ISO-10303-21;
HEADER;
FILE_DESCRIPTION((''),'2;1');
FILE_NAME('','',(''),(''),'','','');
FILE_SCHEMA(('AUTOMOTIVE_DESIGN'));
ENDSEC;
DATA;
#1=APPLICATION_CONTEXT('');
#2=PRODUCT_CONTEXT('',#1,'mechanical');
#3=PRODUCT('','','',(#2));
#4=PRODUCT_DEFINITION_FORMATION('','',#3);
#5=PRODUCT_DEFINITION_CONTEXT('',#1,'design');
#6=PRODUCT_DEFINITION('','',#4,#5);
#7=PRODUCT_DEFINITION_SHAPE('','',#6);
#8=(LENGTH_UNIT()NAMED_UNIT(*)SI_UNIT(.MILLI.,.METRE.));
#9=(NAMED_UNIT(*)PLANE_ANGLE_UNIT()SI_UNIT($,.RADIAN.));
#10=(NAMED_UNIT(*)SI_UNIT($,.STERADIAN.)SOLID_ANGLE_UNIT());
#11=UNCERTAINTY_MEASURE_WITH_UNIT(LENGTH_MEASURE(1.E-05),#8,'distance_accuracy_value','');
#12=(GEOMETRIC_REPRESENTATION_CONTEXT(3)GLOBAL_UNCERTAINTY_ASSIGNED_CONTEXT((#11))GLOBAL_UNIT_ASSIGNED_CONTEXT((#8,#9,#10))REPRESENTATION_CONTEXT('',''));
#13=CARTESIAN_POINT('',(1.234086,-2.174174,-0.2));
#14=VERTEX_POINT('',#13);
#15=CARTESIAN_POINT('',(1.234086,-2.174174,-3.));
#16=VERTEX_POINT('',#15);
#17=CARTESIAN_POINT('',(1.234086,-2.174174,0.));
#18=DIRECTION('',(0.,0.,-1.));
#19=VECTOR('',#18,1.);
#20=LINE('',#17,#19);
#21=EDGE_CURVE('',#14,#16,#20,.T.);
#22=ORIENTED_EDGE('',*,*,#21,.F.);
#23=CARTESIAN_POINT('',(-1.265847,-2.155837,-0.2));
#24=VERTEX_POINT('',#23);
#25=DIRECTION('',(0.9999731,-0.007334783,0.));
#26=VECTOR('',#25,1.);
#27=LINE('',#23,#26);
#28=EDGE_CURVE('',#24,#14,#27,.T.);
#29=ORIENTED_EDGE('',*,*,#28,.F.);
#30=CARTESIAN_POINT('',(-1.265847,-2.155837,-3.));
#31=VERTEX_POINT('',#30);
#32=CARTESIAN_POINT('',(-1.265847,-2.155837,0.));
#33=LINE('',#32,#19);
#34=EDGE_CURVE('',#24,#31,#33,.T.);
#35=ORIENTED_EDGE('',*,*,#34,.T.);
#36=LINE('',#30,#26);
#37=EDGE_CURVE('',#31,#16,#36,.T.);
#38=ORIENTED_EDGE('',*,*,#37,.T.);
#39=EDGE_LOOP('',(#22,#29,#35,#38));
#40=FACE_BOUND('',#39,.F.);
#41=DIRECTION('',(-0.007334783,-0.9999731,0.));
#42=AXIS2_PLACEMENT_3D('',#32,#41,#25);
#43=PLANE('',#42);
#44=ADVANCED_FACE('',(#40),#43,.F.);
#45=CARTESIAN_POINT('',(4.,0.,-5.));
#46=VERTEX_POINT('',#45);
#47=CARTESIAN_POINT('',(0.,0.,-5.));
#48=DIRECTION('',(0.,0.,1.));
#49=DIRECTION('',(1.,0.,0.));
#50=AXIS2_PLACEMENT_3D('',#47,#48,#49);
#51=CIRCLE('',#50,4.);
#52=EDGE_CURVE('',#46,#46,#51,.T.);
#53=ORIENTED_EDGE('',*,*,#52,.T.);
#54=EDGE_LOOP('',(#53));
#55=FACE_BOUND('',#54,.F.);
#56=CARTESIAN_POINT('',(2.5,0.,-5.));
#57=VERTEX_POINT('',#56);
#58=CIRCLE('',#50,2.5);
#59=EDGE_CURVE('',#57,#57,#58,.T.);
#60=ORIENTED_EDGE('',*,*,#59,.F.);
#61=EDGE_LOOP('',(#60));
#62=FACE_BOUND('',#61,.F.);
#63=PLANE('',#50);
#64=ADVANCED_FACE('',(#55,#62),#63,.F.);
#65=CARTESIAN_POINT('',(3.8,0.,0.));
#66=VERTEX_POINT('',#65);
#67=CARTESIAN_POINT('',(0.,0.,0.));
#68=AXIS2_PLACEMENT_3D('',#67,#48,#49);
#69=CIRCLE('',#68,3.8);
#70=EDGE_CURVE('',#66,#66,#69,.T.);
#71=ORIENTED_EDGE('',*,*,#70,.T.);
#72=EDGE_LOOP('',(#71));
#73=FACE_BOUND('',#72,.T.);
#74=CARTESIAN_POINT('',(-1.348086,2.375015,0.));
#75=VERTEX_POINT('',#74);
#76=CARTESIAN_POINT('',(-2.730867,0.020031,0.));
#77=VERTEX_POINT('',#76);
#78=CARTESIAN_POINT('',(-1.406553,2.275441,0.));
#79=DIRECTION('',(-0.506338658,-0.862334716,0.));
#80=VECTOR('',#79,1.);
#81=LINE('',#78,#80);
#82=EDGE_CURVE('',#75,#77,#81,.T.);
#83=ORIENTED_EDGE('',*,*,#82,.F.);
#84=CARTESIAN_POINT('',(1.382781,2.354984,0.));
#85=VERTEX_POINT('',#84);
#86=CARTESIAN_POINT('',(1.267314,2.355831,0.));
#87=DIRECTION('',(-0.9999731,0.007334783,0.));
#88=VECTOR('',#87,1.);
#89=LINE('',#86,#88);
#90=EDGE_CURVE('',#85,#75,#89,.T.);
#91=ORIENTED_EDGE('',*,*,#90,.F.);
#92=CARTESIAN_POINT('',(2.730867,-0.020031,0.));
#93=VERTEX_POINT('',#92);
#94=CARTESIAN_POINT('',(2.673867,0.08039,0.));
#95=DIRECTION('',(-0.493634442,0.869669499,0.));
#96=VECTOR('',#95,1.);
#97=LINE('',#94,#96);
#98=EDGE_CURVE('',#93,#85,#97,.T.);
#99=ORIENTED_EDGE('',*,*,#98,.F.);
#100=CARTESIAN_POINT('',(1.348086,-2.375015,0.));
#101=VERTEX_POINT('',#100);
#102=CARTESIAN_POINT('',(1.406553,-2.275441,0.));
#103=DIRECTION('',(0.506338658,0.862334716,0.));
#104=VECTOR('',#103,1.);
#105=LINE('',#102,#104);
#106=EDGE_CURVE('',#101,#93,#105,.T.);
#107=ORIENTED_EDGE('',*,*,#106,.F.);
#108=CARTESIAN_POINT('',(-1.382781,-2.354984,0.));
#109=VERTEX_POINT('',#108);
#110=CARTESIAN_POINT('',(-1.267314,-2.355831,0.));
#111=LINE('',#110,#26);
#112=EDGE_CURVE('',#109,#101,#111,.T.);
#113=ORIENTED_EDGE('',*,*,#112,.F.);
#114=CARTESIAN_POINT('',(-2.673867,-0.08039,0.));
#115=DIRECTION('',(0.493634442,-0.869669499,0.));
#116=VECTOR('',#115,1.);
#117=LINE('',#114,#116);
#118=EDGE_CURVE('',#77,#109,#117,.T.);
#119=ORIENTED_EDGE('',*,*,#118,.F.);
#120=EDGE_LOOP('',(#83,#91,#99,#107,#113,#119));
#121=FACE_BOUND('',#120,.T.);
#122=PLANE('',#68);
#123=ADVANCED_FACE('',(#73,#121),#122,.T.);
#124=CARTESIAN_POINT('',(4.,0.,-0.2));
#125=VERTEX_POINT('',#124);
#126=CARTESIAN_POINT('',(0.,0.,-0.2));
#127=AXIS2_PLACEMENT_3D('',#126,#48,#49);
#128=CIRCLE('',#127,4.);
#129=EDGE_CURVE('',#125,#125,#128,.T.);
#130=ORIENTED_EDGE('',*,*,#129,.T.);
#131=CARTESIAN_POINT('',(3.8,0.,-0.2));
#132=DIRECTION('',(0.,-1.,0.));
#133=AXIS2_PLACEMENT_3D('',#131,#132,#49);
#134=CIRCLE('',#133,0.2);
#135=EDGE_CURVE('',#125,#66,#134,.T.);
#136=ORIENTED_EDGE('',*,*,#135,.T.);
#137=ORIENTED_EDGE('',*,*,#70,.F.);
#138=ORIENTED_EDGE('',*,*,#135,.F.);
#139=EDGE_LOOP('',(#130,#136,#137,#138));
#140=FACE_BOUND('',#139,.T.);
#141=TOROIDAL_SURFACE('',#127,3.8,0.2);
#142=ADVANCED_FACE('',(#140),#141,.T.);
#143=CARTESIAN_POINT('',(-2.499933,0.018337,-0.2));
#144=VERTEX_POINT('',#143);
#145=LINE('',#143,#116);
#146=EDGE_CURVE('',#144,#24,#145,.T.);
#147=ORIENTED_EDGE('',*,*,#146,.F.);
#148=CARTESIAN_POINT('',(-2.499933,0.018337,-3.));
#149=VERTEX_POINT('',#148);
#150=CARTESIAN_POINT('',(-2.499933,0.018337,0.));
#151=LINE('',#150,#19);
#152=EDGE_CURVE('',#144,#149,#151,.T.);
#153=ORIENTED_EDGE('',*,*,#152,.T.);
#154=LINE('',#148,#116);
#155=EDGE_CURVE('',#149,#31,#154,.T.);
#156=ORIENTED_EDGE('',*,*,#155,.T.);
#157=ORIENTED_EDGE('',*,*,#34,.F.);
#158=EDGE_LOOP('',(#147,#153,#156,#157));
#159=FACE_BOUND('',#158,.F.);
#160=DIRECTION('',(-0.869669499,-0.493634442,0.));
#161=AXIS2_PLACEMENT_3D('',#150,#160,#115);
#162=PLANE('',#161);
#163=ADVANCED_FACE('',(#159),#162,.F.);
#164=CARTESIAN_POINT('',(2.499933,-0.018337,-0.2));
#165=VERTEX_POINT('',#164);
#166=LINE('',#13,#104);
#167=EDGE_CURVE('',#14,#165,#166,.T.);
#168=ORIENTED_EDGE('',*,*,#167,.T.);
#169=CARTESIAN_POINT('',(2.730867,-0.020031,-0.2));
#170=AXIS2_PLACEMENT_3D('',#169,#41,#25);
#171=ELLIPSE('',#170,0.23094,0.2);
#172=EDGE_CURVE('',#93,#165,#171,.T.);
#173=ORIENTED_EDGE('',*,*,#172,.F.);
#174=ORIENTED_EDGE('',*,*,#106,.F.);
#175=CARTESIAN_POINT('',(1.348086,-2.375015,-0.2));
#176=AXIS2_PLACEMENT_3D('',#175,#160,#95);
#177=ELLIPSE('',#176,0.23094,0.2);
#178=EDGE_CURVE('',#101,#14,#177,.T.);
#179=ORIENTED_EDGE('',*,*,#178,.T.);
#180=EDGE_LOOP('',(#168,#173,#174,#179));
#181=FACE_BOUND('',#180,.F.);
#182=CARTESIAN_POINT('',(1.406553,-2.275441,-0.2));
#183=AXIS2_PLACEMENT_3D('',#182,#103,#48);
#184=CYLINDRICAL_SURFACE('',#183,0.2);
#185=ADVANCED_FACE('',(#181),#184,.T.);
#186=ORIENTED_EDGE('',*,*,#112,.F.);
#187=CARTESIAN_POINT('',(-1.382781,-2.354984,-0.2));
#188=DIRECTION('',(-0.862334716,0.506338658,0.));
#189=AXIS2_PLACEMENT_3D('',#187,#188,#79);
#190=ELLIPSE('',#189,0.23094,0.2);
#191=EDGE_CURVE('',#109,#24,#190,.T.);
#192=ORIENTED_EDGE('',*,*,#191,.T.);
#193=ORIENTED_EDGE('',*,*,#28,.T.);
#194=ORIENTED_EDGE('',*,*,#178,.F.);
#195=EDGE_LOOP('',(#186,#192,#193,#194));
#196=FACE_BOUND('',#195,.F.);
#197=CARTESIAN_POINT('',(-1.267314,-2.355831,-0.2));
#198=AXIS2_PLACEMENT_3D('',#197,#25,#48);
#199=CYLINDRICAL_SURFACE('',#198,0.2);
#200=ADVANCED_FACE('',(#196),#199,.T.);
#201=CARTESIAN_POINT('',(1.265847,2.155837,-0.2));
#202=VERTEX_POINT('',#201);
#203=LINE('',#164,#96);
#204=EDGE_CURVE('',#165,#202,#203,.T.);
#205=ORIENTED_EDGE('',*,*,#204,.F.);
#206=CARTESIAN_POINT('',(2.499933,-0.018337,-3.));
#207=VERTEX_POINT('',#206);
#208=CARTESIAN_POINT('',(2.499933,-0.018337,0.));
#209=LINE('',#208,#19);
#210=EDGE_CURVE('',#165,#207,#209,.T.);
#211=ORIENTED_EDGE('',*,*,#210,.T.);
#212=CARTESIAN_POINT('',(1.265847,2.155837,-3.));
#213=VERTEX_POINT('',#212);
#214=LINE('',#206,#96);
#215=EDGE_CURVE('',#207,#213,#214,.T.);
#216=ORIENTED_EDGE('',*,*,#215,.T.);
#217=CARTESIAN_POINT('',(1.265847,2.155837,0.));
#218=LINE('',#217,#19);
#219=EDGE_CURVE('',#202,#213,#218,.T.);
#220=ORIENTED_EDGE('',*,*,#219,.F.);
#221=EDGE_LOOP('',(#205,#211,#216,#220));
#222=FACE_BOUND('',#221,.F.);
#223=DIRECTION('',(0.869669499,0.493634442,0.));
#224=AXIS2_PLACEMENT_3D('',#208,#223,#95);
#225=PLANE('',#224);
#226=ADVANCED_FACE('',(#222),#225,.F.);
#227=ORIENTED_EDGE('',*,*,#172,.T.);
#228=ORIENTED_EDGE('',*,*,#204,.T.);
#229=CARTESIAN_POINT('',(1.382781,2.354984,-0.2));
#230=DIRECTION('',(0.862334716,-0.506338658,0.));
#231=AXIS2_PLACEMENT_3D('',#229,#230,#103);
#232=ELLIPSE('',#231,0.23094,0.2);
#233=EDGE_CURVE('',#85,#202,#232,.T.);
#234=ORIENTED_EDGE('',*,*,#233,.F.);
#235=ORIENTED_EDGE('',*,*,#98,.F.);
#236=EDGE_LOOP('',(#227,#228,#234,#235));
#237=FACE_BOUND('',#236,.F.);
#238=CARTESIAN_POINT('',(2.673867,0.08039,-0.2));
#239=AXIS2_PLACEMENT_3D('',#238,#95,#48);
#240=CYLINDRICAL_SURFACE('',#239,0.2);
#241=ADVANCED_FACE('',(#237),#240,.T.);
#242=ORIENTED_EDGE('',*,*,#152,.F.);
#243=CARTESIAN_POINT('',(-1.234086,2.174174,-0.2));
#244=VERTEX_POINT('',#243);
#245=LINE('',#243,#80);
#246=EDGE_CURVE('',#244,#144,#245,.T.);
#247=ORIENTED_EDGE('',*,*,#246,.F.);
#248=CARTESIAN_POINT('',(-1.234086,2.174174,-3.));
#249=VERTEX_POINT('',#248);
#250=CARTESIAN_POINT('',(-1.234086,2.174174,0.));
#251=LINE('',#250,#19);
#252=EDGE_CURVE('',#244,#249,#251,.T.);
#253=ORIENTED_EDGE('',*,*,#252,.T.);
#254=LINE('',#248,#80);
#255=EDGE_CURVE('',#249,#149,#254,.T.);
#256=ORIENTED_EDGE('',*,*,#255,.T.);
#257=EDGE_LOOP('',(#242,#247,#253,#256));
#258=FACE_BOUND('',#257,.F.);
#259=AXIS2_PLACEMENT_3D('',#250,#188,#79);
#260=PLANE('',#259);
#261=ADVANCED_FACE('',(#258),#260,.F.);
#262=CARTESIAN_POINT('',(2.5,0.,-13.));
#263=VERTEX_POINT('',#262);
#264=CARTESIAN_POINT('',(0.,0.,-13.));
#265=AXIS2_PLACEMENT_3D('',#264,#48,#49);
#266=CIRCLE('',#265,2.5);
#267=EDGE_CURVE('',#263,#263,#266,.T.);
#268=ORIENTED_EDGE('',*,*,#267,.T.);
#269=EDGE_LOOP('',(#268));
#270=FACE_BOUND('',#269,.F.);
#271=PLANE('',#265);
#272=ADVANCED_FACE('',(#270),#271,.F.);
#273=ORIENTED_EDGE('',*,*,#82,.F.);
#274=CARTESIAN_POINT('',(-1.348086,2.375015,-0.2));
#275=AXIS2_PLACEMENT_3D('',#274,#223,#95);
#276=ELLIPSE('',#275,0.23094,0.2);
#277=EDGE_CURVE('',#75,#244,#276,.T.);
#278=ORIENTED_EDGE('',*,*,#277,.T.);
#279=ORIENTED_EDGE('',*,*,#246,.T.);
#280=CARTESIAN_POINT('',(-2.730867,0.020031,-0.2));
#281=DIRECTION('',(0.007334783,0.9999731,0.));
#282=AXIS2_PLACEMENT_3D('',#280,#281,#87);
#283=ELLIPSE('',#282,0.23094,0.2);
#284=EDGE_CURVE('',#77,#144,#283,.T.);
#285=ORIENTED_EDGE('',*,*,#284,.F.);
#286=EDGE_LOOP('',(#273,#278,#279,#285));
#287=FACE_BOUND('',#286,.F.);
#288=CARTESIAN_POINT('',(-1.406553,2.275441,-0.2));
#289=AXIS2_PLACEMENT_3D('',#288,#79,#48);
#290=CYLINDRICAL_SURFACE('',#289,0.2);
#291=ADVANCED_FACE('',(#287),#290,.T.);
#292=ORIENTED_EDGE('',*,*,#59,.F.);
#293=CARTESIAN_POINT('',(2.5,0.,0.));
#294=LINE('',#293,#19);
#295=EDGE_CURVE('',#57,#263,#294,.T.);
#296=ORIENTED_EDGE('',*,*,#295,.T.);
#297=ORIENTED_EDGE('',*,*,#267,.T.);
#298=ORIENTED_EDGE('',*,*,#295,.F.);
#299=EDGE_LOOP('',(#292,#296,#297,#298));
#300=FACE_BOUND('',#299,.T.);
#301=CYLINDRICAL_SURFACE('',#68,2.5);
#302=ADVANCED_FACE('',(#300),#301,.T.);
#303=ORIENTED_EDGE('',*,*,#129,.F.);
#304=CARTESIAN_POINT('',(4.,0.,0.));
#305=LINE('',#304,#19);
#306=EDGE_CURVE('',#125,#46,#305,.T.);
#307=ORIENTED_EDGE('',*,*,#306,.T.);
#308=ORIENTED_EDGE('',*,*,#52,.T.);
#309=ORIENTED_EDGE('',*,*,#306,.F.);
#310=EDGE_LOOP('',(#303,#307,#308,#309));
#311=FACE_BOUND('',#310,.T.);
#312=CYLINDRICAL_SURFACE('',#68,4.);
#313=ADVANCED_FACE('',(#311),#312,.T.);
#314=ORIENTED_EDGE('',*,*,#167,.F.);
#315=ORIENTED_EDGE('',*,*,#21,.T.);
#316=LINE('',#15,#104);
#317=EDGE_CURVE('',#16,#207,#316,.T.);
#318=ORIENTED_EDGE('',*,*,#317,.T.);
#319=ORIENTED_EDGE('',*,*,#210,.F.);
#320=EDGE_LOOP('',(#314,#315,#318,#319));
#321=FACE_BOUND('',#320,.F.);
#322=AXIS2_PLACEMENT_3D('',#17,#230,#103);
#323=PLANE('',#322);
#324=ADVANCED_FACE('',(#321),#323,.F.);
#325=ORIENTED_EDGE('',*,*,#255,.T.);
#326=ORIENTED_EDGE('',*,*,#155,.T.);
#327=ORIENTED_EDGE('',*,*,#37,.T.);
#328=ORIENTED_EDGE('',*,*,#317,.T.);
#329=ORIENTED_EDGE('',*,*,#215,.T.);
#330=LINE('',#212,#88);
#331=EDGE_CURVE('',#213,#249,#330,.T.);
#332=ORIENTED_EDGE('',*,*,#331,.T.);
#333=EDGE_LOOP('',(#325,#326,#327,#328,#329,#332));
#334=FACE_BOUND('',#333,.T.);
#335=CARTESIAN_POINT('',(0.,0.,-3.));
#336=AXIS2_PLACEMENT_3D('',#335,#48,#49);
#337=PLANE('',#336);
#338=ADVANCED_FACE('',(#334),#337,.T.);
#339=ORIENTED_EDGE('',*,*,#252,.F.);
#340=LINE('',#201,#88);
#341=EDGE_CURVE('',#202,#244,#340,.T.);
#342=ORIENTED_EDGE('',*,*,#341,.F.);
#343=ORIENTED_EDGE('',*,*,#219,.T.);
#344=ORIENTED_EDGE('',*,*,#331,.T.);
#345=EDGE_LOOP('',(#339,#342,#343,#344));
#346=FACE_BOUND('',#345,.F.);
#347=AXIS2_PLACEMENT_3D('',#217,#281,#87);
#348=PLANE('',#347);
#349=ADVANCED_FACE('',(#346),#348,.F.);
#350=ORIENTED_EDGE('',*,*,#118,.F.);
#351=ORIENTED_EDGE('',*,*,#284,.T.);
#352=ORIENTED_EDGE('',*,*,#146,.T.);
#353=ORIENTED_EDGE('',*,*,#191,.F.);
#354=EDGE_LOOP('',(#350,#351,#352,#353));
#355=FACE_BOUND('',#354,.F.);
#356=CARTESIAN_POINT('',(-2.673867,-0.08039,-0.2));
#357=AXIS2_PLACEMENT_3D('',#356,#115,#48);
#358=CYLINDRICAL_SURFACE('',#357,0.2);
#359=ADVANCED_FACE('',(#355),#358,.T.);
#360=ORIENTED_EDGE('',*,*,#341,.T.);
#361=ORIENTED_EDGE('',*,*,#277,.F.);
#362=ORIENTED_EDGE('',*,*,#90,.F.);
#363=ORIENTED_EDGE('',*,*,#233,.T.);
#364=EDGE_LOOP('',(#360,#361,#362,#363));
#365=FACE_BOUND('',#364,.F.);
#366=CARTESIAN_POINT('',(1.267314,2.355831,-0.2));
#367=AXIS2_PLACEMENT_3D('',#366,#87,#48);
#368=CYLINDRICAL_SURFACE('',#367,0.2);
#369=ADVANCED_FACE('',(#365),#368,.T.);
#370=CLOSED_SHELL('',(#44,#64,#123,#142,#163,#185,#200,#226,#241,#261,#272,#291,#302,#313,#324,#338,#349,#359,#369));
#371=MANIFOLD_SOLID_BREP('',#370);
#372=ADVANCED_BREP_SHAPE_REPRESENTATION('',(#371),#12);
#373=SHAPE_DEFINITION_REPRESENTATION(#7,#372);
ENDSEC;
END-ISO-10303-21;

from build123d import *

# Parameters (mm, degrees)
F1_R     = 2.5
F2_DEPTH = 13
F0_R     = 4
F3_DEPTH = 5
F5_DEPTH = 3
F6_R     = 0.2


with BuildPart() as f2:
    # F1 (on face) → F2 (new body)
    with BuildSketch(Plane.XY):
        Circle(F1_R)
    extrude(amount=-F2_DEPTH)

    # F0 (on Top) → F3 (join)
    with BuildSketch(Plane.XY):
        Circle(F0_R)
    extrude(amount=-F3_DEPTH)

    # F4 (on Top) → F5 (cut)
    with BuildSketch(Plane.XY):
        Polygon((2.4999327503, -0.0183369572), (1.265846646, 2.1558367909), (-1.2340861043, 2.1741737481), (-2.4999327503, 0.0183369572), (-1.265846646, -2.1558367909), (1.2340861043, -2.1741737481), align=None)
    extrude(amount=-F5_DEPTH, mode=Mode.SUBTRACT)

    # F6
    f6_edges = [f2.edges().sort_by_distance(p)[0] for p in [
        (1.867009, -1.096255, 0),
        (-4, 0, 0),
        (1.88289, 1.06875, 0),
        (0.01588, 2.165005, 0),
        (-1.867009, 1.096255, 0),
        (-1.88289, -1.06875, 0),
        (-0.01588, -2.165005, 0),
    ]]
    fillet(f6_edges, radius=F6_R)


solid = f2.part
